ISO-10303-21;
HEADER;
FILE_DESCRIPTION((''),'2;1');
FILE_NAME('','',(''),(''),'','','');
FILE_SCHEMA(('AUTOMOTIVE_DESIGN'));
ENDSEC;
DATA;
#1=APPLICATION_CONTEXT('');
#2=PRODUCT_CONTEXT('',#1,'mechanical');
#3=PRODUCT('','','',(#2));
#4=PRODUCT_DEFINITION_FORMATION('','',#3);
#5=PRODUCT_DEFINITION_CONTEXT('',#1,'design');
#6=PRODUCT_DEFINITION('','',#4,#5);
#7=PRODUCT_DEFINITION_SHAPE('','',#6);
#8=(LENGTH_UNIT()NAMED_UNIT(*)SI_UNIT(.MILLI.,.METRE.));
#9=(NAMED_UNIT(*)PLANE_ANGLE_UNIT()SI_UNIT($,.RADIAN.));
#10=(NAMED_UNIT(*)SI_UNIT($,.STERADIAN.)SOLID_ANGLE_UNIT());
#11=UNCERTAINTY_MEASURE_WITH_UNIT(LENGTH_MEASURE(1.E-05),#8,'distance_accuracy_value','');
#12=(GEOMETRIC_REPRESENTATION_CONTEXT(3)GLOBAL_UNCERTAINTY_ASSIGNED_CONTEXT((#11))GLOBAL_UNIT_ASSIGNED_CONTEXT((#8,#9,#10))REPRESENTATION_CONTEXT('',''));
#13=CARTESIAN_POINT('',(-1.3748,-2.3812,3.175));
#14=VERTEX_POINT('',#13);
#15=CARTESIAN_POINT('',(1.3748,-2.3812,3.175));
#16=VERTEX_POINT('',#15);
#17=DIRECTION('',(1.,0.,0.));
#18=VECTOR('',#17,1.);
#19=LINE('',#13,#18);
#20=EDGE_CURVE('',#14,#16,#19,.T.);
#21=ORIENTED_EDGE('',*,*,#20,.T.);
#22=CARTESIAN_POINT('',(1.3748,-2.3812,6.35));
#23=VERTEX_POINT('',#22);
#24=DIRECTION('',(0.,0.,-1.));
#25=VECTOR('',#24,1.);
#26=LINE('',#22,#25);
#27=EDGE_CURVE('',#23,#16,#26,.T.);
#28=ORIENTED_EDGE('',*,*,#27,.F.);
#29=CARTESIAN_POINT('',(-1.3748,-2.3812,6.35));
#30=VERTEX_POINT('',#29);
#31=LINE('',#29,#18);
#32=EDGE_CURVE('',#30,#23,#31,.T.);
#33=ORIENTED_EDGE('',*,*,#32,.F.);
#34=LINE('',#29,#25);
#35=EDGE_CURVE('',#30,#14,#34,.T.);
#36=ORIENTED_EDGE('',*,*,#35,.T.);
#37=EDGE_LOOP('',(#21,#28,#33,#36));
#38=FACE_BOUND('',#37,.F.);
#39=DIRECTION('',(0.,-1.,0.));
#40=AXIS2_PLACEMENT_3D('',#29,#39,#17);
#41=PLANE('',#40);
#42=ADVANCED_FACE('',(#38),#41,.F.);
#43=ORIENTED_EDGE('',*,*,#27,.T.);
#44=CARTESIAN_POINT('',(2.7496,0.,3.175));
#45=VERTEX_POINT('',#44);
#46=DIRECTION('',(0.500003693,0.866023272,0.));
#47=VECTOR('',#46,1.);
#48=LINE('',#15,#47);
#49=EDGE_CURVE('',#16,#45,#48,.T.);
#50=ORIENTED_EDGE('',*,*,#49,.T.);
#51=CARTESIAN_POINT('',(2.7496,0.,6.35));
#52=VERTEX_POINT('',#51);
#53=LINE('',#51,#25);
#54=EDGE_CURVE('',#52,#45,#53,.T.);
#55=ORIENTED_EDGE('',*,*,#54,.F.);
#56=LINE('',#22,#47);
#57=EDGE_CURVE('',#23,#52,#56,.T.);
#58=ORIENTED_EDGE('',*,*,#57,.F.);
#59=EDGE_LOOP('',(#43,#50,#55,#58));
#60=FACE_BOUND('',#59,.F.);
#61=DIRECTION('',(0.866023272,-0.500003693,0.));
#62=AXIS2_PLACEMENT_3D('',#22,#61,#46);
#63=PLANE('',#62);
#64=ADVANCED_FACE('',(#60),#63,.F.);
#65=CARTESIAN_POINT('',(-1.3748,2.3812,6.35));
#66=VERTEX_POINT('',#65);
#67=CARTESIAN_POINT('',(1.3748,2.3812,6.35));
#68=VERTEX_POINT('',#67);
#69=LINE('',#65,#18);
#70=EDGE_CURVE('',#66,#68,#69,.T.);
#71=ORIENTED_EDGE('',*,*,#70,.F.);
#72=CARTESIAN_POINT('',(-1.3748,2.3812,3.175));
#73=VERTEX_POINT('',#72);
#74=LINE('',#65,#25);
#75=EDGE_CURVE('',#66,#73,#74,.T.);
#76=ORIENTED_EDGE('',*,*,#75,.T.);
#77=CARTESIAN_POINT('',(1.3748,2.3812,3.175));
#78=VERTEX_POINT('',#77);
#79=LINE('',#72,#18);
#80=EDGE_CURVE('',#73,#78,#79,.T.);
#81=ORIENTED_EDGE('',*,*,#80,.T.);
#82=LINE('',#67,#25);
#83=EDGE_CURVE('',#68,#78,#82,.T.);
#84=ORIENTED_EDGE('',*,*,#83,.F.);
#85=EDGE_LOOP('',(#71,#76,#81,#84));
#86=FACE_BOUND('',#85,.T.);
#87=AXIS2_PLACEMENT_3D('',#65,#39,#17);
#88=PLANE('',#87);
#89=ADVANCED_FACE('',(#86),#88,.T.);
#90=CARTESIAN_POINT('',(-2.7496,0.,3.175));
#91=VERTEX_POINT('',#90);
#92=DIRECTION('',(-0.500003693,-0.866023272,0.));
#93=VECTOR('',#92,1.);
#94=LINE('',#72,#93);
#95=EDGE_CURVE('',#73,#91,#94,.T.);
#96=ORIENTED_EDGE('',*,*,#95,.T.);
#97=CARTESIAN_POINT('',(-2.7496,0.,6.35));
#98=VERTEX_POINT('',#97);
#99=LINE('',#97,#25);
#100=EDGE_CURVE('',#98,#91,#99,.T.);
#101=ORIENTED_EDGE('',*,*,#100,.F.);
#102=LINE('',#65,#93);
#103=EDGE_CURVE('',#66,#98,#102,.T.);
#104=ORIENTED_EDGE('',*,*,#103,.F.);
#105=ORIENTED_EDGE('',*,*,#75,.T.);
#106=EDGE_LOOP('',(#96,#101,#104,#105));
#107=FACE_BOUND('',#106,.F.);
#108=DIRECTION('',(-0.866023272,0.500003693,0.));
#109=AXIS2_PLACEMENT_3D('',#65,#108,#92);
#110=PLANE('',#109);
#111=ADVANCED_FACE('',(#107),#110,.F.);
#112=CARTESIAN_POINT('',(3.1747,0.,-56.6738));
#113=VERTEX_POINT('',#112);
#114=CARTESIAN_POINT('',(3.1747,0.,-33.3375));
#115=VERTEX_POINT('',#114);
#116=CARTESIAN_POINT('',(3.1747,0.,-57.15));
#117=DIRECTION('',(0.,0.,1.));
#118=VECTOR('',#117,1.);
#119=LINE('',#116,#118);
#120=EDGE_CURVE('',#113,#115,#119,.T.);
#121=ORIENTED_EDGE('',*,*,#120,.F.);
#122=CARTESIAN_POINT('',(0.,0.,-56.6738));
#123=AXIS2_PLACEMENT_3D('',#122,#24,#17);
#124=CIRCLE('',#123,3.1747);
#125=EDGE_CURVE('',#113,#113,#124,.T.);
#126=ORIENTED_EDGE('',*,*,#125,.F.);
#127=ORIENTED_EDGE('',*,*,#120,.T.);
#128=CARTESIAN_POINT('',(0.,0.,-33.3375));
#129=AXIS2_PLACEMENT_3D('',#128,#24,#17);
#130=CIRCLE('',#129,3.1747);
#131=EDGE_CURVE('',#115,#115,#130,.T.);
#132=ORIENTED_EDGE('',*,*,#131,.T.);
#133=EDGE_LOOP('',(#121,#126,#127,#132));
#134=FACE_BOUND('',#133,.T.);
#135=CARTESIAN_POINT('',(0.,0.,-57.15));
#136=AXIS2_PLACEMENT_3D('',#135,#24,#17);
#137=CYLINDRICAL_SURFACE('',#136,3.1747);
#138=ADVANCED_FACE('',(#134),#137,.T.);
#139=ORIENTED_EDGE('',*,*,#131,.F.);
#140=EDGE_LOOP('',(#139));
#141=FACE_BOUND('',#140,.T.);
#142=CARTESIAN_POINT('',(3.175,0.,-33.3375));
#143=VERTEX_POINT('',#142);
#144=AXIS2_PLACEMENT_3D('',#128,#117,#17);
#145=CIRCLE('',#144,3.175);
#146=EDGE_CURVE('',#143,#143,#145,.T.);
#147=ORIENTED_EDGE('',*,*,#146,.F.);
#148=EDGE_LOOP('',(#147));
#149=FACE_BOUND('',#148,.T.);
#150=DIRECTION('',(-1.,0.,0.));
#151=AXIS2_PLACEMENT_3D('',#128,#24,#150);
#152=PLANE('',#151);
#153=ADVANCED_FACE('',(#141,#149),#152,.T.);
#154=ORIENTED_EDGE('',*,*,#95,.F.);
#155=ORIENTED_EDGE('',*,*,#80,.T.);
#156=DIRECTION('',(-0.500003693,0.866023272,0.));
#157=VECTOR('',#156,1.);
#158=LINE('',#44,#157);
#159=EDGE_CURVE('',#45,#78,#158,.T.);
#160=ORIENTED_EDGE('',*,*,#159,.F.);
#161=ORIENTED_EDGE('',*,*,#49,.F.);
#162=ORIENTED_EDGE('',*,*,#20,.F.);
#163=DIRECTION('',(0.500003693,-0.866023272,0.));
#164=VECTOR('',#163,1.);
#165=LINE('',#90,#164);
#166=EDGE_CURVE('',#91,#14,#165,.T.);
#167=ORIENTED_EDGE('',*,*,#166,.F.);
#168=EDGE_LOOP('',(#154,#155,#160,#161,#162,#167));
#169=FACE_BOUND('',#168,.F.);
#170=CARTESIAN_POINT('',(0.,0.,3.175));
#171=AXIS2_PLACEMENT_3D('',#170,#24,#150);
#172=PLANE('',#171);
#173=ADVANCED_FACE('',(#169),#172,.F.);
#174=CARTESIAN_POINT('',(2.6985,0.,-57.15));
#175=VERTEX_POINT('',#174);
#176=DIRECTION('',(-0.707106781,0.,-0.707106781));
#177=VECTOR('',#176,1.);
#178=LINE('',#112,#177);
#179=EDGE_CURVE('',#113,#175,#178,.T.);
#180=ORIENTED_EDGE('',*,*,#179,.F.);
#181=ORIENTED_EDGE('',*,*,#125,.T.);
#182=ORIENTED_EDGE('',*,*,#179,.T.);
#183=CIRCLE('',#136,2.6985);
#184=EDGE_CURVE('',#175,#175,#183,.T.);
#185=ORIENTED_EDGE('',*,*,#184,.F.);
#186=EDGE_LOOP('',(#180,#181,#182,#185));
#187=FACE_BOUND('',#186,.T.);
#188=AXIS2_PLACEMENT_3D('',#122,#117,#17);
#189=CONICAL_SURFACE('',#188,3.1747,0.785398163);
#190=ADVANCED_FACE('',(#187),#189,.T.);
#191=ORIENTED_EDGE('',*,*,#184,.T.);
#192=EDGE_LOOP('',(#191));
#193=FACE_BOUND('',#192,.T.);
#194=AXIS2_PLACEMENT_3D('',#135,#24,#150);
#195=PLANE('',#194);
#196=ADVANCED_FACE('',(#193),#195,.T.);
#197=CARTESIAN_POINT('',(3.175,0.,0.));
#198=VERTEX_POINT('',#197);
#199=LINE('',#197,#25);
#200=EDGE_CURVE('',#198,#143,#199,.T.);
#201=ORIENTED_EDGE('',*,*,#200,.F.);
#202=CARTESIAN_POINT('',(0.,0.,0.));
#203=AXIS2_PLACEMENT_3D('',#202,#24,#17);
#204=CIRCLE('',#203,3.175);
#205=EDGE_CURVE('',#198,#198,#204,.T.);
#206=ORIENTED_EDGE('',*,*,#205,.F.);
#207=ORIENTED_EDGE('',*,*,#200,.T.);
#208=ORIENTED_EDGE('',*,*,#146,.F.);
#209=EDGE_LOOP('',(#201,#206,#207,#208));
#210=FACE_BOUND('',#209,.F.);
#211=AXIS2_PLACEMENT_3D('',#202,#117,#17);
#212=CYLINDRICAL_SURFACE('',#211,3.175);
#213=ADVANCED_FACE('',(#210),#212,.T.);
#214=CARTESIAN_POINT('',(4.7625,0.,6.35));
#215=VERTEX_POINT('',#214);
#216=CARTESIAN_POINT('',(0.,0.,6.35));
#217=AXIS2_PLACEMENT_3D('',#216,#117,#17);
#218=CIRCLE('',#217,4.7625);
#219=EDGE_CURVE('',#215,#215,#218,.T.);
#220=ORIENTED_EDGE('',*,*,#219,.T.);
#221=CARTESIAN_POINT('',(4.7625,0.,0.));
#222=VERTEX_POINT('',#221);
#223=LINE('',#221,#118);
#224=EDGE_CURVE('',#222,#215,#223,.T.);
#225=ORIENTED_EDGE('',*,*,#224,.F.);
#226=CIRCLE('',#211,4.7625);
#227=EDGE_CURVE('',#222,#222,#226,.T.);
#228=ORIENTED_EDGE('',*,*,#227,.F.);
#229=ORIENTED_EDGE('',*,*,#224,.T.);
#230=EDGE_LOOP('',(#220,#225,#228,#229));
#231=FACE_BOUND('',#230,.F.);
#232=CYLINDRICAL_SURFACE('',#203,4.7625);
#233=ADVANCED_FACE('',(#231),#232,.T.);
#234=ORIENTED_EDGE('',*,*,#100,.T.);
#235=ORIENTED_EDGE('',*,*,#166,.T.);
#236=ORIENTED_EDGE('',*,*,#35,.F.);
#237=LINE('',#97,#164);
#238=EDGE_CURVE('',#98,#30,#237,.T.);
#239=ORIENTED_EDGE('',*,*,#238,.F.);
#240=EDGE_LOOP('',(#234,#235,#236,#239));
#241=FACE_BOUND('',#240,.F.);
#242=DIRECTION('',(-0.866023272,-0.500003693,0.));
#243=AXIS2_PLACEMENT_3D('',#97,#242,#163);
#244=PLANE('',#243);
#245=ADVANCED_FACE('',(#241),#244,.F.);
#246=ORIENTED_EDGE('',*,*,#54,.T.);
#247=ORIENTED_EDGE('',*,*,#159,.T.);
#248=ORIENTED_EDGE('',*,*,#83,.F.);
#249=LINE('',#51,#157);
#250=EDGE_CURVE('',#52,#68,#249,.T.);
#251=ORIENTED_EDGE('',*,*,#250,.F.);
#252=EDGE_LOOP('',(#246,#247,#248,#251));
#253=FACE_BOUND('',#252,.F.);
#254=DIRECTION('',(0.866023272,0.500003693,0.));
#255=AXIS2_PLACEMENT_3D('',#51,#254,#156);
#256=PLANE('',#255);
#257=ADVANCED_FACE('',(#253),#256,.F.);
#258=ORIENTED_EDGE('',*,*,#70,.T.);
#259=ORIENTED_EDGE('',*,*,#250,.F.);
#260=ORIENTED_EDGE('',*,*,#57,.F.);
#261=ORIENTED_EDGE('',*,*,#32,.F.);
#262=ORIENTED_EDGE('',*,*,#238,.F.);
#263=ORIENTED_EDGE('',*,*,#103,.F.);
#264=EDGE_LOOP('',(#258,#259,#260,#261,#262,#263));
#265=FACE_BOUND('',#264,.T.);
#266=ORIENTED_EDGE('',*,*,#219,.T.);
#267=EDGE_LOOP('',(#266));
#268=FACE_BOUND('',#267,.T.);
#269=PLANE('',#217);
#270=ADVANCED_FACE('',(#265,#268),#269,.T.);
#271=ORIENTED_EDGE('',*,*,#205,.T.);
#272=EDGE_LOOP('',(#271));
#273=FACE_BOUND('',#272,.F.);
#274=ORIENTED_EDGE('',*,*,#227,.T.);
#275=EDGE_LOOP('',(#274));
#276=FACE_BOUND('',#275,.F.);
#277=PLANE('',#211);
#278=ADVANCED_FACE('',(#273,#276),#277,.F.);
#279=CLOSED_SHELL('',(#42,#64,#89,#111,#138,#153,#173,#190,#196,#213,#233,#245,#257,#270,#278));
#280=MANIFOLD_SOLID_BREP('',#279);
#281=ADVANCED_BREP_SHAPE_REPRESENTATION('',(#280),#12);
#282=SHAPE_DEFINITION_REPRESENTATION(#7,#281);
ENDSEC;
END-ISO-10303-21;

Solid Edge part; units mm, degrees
sketch "Sketch1" plane through (0, 0, 0) normal (0, 0, 1) x (1, 0, 0)
  circle A0 centre (0, 0) radius 4.7625
  dimension "D1" = 9.525
extrude "Protrusion1" add sketch "Sketch1" along normal blind 6.35
sketch "Sketch2" plane through (0, 0, 0) normal (0, 0, -1) x (1, 0, 0)
  circle A0 centre (0, 0) radius 3.175
extrude "Protrusion2" add sketch "Sketch2" along normal blind 57.15
sketch "Sketch3" plane through (0, 0, -57.15) normal (0, 0, -1) x (1, 0, 0)
  circle A0 centre (0, 0) radius 3.1747
extrude "Cutout1" cut sketch "Sketch3" against normal blind 23.8125 flip side to cut
chamfer "Chamfer_1" distance 0.4762 angle 45 1 edges at (-3.1747, 0, -57.15)
sketch "Sketch4" plane through (0, 0, 6.35) normal (0, 0, 1) x (1, 0, 0)
  line L0 (-1.3748, 2.3812) -> (1.3748, 2.3812)
  line L1 (2.7496, 0) -> (1.3748, 2.3812)
  line L2 (1.3748, -2.3812) -> (2.7496, 0)
  line L3 (-1.3748, -2.3812) -> (1.3748, -2.3812)
  line L4 (-2.7496, 0) -> (-1.3748, -2.3812)
  line L5 (-1.3748, 2.3812) -> (-2.7496, 0)
  dimension "D1" = 4.7625
extrude "Cutout2" cut sketch "Sketch4" against normal blind 3.175
properties part number "24103152"
